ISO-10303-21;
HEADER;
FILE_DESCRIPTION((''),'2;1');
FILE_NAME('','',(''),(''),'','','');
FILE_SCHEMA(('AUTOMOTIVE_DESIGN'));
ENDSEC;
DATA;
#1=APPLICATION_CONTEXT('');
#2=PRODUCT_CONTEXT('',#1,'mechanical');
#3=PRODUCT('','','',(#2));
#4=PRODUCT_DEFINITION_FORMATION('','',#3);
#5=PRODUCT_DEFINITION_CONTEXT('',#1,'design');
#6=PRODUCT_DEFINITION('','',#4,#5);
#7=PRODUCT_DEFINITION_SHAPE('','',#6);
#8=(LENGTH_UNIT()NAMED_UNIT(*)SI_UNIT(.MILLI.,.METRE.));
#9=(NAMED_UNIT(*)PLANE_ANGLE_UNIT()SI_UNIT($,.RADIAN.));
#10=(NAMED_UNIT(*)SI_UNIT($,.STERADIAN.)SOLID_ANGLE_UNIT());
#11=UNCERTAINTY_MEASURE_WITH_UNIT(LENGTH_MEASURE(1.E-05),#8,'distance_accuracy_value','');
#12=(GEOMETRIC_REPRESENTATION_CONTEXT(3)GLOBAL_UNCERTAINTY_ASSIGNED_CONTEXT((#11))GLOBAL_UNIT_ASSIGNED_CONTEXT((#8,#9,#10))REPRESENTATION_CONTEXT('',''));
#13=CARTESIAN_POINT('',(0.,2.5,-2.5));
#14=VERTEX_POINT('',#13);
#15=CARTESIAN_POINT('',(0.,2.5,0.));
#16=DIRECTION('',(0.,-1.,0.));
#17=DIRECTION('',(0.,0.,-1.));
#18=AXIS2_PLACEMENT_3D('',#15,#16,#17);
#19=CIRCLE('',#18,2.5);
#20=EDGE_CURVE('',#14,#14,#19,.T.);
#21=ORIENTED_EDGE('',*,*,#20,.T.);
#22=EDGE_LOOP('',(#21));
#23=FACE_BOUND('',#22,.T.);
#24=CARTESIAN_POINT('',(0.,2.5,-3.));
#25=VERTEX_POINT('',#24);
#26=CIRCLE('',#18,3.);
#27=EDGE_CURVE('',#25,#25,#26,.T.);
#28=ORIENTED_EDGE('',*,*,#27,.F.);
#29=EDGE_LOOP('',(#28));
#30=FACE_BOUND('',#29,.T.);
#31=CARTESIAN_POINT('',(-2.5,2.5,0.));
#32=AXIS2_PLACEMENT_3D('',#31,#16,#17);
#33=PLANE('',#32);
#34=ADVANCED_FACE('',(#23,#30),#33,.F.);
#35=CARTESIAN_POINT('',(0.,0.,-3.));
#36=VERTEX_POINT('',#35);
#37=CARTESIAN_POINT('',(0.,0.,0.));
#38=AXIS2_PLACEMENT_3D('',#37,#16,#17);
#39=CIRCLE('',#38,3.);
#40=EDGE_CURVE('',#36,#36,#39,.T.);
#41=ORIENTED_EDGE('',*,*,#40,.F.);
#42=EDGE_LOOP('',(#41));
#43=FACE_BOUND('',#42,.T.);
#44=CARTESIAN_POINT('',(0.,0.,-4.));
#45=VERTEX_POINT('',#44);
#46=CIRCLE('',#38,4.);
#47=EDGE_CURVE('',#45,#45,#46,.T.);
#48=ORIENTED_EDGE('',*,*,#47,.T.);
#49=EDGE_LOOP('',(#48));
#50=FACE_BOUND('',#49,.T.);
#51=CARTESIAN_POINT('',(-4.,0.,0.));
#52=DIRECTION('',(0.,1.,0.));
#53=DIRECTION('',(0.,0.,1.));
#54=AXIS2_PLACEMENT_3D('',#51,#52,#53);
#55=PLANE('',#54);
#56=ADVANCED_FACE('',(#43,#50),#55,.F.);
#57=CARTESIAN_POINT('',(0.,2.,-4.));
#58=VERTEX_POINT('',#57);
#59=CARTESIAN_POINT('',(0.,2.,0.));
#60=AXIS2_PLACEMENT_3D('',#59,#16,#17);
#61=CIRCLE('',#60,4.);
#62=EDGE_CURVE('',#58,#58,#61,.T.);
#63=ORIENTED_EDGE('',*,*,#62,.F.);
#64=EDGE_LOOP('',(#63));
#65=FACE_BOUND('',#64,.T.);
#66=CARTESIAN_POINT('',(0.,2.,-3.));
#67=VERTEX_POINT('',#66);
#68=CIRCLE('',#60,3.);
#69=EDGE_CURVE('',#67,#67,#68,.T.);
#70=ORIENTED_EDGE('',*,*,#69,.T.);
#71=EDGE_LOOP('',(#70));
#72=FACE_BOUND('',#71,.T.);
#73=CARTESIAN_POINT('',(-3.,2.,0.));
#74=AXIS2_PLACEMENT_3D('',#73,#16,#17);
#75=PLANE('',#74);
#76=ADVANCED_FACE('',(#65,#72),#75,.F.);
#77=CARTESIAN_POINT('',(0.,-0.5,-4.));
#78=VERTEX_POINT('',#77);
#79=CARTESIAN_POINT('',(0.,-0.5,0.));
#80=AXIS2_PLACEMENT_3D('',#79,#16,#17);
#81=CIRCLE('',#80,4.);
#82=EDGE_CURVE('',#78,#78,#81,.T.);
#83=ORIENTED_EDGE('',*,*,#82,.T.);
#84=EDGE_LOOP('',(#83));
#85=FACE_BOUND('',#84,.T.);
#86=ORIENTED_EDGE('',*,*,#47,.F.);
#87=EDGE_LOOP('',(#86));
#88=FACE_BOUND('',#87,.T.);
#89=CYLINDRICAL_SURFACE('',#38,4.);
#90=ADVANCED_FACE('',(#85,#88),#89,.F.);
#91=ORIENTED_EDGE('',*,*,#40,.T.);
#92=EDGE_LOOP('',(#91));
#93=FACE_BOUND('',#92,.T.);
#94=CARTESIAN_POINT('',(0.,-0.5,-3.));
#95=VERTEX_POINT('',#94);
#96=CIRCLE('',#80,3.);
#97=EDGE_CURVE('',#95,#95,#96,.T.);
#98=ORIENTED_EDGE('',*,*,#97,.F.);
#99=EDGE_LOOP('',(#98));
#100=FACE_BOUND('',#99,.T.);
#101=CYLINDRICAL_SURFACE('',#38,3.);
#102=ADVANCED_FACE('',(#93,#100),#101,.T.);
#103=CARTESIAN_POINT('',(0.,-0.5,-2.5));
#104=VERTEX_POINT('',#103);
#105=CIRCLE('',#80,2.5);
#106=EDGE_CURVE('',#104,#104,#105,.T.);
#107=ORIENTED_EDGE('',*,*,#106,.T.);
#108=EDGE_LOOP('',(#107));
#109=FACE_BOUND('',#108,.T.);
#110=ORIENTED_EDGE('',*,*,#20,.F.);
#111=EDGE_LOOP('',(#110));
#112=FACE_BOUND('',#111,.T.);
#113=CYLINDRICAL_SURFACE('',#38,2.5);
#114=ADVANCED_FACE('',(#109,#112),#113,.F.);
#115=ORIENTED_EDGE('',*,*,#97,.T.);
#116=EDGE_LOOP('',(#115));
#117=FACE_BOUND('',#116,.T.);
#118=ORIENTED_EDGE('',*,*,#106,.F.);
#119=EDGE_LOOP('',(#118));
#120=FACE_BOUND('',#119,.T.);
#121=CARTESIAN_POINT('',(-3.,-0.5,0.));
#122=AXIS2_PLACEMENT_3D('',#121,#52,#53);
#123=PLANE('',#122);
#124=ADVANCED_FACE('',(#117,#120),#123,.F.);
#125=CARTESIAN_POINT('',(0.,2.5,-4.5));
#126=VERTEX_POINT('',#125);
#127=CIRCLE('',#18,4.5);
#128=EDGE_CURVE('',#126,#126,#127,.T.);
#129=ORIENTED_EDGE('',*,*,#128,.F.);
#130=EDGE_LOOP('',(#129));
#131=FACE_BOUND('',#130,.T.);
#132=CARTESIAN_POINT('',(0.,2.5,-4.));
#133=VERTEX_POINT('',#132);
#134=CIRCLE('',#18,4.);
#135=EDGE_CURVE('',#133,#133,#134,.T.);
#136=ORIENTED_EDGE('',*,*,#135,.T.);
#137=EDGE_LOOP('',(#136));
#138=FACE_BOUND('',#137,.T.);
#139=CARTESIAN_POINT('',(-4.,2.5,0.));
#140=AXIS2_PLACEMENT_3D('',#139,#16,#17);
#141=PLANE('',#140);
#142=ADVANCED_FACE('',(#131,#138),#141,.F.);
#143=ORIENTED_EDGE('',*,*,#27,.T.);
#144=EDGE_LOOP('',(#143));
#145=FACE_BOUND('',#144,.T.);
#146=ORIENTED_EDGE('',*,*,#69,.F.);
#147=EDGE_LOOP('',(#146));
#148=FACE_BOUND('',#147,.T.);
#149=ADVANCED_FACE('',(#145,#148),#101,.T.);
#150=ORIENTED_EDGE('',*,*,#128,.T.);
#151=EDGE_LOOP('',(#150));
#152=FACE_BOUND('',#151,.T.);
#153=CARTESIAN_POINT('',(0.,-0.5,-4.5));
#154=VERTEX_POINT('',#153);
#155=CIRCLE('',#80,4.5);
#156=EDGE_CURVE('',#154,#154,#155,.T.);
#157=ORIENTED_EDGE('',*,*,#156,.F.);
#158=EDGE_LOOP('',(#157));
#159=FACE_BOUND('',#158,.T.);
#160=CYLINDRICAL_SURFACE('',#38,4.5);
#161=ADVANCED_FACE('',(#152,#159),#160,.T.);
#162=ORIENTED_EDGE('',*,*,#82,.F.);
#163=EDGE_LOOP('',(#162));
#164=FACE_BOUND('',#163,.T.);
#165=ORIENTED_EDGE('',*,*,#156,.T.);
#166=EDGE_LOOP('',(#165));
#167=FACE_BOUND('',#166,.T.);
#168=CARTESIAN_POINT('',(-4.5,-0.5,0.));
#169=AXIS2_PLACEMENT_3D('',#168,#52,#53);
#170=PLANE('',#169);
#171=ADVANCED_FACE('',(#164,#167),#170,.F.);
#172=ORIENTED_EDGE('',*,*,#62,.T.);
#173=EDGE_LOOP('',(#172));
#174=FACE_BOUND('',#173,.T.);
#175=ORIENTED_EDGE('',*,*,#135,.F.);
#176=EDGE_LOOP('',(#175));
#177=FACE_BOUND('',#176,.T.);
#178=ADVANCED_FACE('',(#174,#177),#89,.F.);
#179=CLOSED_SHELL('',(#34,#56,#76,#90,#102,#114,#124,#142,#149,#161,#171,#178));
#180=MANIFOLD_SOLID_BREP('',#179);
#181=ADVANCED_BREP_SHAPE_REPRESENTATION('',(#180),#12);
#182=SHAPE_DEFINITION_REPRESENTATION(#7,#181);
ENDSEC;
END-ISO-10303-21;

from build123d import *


with BuildPart() as part:
    # Sketch1 → Revolve1 (revolve)
    with BuildSketch(Plane.XY):
        Polygon((-2.5, 2.5), (-3, 2.5), (-3, 2), (-4, 2), (-4, 2.5), (-4.5, 2.5), (-4.5, -0.5), (-4, -0.5), (-4, 0), (-3, 0), (-3, -0.5), (-2.5, -0.5), align=None)
    revolve(axis=Axis((0, 0, 0), (0, 1, 0)))


solid = part.part
